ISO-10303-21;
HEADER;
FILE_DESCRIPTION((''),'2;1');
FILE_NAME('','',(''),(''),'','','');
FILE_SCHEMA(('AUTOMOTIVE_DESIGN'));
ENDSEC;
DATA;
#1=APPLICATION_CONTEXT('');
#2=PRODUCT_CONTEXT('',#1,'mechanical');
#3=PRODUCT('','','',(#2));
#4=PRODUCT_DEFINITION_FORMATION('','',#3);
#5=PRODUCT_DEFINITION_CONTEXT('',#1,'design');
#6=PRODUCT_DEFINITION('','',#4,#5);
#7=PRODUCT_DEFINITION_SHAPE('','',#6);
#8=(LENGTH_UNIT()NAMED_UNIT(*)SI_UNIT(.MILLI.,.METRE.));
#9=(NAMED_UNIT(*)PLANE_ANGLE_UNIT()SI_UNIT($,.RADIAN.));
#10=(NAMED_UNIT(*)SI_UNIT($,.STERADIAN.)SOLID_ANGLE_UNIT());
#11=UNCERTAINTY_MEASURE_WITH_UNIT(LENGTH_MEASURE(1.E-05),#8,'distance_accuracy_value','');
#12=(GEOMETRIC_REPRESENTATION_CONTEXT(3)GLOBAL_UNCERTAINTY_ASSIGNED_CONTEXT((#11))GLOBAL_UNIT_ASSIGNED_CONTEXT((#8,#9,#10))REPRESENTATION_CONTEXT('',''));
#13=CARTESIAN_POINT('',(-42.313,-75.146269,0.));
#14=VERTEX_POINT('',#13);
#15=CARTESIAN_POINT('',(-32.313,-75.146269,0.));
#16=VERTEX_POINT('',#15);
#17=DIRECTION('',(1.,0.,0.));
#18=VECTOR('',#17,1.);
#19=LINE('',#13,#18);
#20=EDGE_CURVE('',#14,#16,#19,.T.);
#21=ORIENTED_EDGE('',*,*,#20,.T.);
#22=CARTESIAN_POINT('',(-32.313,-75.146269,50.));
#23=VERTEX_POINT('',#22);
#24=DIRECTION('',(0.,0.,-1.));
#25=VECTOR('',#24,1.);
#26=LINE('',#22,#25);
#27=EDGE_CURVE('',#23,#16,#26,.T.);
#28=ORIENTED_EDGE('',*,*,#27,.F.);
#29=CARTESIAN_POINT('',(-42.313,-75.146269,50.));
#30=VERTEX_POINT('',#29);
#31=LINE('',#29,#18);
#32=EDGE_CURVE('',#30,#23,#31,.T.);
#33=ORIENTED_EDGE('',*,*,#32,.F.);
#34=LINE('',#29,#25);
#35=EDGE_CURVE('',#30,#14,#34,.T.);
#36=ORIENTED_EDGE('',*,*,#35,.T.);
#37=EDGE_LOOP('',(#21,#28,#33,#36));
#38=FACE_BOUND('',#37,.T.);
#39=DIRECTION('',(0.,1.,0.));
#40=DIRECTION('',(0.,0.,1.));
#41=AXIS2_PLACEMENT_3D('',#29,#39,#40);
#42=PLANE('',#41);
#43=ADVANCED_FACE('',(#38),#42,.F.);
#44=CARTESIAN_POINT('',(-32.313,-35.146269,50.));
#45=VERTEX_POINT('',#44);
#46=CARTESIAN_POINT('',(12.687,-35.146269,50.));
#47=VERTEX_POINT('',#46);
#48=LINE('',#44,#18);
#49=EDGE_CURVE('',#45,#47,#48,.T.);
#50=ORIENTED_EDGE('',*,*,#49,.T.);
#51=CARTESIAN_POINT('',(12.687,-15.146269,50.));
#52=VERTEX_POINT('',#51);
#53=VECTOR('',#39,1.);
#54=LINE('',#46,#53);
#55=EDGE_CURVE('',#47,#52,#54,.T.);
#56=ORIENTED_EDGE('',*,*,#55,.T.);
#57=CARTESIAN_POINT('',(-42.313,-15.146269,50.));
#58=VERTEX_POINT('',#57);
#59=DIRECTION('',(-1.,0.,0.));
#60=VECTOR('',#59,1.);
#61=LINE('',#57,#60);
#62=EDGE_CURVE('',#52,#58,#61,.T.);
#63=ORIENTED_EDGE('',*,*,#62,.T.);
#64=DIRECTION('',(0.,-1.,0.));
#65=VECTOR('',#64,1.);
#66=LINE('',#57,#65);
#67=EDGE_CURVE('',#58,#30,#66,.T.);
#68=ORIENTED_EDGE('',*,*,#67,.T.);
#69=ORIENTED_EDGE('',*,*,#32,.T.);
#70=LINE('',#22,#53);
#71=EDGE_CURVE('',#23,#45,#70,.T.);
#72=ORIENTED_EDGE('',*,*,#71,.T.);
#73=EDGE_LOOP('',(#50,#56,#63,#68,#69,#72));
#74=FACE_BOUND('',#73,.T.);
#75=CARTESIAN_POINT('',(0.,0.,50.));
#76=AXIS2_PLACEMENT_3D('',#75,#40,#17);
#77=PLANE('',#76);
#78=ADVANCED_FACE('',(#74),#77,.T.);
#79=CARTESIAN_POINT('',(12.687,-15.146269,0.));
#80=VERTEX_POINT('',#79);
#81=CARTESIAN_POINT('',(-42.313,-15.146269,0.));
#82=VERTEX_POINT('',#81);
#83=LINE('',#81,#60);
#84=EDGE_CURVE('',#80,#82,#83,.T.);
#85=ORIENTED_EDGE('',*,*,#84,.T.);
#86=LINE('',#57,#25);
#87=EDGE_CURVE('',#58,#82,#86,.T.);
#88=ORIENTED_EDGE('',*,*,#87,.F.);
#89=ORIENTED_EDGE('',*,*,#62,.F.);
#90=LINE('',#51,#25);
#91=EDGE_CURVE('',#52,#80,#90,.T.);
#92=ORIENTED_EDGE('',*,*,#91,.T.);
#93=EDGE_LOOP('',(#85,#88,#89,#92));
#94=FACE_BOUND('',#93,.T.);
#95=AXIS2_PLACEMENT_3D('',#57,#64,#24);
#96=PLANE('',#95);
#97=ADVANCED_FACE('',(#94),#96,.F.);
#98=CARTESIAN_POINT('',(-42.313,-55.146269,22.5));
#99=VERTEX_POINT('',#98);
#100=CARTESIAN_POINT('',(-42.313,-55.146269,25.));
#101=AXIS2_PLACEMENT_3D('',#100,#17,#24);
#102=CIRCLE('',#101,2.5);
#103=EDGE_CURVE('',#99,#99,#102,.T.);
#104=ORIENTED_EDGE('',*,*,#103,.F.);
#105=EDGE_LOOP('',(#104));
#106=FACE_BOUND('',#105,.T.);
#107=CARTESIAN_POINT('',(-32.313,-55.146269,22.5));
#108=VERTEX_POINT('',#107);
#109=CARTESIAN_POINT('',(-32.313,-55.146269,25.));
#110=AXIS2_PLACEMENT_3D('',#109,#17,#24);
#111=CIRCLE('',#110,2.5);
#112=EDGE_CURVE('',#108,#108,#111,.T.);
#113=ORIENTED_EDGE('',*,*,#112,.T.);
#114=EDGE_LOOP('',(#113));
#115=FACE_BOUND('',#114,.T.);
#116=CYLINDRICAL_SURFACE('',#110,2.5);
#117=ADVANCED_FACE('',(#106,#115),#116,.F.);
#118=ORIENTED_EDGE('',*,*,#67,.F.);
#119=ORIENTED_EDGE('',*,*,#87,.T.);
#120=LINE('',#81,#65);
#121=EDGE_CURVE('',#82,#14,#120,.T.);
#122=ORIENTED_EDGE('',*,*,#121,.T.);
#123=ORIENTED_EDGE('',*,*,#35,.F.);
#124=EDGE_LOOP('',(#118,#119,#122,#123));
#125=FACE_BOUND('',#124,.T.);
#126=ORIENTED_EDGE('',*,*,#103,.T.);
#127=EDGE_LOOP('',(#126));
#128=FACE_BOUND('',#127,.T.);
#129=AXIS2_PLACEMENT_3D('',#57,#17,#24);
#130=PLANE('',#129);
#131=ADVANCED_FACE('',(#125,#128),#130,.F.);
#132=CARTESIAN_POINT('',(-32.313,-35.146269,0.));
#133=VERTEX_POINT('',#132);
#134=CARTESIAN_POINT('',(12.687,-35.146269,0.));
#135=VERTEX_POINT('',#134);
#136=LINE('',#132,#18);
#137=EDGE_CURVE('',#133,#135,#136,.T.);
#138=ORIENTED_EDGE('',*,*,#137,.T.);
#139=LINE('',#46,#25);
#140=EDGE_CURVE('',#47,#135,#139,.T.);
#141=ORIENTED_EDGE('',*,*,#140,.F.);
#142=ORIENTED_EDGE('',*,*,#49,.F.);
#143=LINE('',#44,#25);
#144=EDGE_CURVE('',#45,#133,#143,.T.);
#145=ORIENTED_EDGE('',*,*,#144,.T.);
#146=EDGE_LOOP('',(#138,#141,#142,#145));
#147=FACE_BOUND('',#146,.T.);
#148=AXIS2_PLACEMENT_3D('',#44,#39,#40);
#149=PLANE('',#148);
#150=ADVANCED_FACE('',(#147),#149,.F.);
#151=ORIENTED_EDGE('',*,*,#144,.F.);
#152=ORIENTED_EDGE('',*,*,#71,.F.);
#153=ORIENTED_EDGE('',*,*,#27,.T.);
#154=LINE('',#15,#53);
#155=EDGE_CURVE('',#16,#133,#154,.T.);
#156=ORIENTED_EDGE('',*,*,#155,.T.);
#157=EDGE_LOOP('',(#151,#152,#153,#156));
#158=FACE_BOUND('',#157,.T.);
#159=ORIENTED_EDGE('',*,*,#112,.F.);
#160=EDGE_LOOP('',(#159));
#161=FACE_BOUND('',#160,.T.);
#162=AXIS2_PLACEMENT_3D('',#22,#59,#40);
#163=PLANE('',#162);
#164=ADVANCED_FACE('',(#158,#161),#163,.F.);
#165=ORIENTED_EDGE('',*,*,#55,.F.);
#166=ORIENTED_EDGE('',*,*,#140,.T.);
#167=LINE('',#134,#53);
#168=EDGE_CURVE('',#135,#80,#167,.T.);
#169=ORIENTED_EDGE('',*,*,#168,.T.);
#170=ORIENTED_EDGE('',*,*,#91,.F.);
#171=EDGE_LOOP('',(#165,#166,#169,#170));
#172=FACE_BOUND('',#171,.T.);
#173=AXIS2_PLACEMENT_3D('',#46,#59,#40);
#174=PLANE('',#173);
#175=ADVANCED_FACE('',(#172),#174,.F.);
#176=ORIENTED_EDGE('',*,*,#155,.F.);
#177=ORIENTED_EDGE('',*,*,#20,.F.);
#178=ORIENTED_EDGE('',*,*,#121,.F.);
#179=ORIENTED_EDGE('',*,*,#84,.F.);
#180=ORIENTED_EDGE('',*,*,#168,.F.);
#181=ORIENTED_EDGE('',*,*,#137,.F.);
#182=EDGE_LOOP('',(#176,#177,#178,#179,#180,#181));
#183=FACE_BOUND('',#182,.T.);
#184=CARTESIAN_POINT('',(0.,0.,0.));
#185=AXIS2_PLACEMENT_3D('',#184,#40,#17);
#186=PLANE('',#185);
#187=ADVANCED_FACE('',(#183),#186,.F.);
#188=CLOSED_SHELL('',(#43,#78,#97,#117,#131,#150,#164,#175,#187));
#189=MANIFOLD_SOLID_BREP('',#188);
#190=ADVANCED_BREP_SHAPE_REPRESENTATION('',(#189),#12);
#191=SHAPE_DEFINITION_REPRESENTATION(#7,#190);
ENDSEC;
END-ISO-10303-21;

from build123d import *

# Parameters (mm, degrees)
SALIENTE_EXTRUIR1_DEPTH                        = 50
PERFORADOR_PARA_ROSCAR_PARA_MACHO_DE_ROS_D     = 5
PERFORADOR_PARA_ROSCAR_PARA_MACHO_DE_ROS_DEPTH = 11
PERFORADOR_PARA_ROSCAR_PARA_MACHO_DE_ROS_TIP   = 1.502151548


with BuildPart() as part:
    # Croquis1 → Saliente-Extruir1 (new body)
    with BuildSketch(Plane.XY):
        Polygon((-42.31300039, -15.146269262), (12.68699961, -15.146269262), (12.68699961, -35.146269262), (-32.31300039, -35.146269262), (-32.31300039, -75.146269262), (-42.31300039, -75.146269262), align=None)
    extrude(amount=SALIENTE_EXTRUIR1_DEPTH)

    # Perforador para roscar para macho de roscar para M6x1.01
    with Locations(Plane(origin=(-32.31300039, -55.146269262, 25), x_dir=(0, 0, 1), z_dir=(1, 0, 0))):
        with Locations((0, 0)):
            Hole(PERFORADOR_PARA_ROSCAR_PARA_MACHO_DE_ROS_D / 2, depth=PERFORADOR_PARA_ROSCAR_PARA_MACHO_DE_ROS_DEPTH)
            with Locations((0, 0, -(PERFORADOR_PARA_ROSCAR_PARA_MACHO_DE_ROS_DEPTH + PERFORADOR_PARA_ROSCAR_PARA_MACHO_DE_ROS_TIP / 2))):  # 118° drill point
                Cone(0, PERFORADOR_PARA_ROSCAR_PARA_MACHO_DE_ROS_D / 2, PERFORADOR_PARA_ROSCAR_PARA_MACHO_DE_ROS_TIP, mode=Mode.SUBTRACT)


solid = part.part
